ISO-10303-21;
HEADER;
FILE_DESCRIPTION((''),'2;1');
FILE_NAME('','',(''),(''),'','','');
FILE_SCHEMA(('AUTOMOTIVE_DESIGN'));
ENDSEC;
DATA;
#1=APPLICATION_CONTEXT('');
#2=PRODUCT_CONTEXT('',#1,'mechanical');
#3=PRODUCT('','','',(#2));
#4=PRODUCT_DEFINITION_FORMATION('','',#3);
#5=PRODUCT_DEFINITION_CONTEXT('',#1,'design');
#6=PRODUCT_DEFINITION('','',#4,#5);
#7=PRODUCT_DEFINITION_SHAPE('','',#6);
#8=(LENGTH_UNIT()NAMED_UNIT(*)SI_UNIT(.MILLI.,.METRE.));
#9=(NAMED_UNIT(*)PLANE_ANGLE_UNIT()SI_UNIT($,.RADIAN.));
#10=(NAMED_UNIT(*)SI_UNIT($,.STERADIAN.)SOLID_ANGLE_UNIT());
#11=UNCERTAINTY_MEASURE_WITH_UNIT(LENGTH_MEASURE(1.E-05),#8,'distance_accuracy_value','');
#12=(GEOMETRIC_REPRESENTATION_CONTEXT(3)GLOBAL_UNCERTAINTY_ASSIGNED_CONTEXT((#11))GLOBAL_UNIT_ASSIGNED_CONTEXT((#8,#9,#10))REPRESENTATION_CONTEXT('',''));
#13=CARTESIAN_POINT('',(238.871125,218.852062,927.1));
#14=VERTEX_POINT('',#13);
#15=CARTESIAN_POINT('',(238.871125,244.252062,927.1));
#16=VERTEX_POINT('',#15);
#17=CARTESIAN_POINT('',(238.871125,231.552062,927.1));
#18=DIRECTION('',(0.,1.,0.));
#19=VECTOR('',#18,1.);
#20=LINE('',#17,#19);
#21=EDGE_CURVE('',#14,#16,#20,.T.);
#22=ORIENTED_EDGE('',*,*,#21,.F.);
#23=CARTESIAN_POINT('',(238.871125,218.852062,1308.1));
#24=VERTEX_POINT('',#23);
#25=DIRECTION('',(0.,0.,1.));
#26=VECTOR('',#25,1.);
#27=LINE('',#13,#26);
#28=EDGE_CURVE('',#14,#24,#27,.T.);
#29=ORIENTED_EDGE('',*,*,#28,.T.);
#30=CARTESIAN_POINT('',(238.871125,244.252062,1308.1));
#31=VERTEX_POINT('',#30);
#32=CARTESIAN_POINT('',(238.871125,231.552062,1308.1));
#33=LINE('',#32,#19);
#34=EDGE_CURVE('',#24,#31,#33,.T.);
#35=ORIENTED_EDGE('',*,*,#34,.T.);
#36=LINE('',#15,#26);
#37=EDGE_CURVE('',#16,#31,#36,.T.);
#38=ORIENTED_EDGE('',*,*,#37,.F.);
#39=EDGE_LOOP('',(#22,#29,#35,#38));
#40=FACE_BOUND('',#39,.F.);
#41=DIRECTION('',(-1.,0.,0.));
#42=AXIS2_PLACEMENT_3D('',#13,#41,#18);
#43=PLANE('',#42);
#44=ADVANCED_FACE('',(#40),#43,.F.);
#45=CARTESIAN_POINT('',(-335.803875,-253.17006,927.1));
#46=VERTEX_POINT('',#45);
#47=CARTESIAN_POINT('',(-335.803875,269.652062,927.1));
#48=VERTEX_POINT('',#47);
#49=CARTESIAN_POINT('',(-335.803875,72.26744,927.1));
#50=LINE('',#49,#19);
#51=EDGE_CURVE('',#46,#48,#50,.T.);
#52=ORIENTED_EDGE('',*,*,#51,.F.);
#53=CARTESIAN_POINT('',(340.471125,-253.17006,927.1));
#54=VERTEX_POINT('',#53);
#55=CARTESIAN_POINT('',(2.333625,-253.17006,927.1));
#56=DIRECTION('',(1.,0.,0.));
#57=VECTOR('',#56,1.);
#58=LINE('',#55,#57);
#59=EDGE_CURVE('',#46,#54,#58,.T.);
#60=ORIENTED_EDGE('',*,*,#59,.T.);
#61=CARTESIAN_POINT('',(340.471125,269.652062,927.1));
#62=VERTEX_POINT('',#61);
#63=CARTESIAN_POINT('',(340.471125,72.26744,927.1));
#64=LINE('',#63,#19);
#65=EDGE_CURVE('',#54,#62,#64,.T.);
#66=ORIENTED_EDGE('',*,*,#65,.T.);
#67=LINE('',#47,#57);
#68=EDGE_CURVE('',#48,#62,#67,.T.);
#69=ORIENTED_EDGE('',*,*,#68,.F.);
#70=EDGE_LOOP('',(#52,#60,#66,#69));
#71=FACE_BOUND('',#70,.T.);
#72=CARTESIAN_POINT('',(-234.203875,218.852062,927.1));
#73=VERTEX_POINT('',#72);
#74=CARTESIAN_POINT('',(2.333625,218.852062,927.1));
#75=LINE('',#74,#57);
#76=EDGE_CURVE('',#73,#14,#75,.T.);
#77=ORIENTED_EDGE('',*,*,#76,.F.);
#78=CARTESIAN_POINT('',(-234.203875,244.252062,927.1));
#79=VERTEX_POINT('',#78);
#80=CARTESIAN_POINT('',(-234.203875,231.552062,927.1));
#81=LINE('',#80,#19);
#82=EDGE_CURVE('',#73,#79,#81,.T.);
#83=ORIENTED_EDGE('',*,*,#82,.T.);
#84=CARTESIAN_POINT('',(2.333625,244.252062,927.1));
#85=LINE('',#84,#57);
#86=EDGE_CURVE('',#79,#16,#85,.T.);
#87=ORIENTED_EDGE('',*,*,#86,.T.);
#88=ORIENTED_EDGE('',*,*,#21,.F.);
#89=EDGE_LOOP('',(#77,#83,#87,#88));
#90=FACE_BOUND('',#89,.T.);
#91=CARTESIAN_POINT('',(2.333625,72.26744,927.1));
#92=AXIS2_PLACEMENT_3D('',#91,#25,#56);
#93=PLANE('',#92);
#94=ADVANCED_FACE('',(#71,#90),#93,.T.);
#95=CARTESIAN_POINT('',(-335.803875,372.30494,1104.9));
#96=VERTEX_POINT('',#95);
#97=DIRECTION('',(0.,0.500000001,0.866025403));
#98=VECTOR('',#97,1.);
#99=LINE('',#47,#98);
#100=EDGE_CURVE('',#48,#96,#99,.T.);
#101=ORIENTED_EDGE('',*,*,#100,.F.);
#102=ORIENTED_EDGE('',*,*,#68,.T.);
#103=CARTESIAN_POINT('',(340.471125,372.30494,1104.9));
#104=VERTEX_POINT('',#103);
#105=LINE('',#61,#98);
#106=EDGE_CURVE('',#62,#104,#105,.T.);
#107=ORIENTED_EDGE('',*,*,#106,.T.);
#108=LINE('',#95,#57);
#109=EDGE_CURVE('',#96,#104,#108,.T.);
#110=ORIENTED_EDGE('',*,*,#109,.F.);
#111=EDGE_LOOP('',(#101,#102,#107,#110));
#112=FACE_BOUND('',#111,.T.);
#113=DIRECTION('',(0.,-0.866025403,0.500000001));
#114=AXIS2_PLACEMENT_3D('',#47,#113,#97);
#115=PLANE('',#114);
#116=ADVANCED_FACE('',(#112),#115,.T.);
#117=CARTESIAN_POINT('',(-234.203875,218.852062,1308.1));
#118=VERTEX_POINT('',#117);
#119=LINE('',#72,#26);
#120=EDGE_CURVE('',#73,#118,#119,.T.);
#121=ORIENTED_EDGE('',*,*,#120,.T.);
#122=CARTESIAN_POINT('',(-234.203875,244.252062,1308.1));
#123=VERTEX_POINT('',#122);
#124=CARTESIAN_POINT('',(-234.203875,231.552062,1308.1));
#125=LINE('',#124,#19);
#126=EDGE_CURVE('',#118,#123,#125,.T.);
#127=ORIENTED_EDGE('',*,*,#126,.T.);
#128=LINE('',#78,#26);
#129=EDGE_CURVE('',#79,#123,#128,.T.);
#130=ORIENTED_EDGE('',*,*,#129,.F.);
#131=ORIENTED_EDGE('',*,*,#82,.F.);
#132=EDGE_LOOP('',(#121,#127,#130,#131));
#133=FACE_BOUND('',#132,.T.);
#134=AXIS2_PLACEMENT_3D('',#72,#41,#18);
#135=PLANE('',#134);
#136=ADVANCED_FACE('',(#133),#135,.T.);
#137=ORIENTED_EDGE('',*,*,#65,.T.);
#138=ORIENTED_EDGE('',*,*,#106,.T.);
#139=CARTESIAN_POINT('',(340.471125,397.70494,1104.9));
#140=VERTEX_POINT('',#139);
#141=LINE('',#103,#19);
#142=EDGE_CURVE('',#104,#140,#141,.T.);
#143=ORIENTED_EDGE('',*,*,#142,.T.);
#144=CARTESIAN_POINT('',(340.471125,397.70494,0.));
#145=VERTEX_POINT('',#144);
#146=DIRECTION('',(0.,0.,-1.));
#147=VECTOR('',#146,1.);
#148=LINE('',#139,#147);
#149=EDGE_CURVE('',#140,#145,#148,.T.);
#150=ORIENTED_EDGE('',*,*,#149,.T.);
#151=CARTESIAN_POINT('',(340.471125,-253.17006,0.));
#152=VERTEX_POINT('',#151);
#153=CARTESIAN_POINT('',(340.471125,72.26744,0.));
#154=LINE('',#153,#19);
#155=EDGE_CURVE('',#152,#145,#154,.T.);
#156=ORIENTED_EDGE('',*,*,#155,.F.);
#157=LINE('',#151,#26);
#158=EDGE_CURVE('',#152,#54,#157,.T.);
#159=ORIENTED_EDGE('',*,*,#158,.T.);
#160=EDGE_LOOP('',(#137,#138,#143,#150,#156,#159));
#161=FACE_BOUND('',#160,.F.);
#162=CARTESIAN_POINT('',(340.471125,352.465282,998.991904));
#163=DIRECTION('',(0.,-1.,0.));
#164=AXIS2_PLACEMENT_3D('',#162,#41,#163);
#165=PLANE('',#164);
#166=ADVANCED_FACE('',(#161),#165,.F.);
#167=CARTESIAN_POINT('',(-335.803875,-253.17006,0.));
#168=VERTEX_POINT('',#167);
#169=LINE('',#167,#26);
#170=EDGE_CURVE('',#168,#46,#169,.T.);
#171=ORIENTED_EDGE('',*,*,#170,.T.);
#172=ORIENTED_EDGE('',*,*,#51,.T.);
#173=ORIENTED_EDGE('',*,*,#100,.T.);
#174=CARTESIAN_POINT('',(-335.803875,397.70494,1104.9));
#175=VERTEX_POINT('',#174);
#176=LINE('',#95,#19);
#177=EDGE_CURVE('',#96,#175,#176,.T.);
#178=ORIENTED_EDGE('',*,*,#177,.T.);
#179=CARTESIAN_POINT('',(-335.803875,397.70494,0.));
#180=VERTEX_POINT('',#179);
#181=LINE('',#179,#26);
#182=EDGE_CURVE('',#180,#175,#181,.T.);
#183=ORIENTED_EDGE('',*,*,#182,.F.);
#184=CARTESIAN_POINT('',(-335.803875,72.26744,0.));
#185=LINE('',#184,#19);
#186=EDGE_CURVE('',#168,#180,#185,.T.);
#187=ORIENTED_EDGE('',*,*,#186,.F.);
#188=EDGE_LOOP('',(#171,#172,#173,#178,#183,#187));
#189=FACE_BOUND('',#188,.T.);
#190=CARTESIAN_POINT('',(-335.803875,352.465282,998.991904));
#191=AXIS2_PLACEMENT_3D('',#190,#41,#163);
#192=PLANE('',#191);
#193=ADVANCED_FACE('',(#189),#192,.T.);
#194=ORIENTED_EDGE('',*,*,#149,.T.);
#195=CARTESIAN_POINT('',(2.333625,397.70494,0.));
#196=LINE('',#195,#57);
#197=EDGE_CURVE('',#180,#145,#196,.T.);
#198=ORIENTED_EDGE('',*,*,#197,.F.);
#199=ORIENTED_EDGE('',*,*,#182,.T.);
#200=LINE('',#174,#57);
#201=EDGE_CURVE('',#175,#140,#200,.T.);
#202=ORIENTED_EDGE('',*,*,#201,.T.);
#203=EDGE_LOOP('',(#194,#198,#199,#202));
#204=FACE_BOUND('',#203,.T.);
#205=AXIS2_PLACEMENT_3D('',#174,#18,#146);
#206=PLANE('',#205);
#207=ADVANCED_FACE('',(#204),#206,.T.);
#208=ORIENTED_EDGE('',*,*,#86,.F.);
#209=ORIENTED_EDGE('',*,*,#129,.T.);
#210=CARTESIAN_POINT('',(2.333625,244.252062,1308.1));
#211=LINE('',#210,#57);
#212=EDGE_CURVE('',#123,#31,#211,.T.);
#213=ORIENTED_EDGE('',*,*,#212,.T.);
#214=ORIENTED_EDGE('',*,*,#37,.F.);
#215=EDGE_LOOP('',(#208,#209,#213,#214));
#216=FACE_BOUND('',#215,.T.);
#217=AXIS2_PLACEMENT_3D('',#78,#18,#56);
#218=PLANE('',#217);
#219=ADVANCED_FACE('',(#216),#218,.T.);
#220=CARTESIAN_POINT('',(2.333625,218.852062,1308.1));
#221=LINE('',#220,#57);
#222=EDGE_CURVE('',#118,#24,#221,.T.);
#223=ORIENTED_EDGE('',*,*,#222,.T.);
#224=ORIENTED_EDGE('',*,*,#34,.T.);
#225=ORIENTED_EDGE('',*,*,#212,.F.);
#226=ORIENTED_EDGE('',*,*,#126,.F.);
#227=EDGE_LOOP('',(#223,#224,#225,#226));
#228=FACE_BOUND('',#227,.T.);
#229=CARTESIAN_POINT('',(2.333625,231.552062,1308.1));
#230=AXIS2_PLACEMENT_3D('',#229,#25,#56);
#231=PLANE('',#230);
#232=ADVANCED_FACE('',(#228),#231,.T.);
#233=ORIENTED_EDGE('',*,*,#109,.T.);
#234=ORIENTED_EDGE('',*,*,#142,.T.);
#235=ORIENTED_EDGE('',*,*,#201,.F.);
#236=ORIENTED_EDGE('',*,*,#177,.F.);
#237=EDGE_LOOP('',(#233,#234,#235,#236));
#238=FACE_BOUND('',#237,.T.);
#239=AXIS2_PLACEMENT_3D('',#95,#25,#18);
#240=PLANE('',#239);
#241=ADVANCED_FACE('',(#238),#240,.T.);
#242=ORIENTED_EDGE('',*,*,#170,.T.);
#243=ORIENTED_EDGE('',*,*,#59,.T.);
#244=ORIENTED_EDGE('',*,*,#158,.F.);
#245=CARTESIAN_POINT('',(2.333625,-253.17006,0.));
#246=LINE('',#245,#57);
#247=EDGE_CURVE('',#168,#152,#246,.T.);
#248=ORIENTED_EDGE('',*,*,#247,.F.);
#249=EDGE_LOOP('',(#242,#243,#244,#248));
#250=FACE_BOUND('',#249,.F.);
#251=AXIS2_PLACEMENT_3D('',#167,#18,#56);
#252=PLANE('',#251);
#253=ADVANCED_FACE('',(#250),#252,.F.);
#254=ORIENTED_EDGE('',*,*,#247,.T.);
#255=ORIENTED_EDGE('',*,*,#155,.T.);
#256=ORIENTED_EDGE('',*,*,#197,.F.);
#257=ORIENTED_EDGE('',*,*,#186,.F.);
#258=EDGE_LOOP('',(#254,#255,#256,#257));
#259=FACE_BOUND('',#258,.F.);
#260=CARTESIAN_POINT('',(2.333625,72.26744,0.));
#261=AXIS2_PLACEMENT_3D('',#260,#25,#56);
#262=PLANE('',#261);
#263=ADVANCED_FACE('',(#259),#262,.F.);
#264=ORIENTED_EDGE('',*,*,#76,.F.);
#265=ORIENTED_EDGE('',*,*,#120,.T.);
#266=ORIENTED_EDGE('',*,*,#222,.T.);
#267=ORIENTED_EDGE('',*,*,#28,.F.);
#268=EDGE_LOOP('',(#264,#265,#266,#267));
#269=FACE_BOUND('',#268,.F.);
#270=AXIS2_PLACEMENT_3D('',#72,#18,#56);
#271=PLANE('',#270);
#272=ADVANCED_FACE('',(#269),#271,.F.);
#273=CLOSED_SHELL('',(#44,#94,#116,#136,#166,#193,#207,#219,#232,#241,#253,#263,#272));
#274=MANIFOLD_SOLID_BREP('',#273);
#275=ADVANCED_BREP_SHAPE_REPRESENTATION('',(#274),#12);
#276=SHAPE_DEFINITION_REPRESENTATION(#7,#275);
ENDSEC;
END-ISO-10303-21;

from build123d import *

# Parameters (mm, degrees)
F0_W     = 676.275
F0_H     = 650.875
F1_DEPTH = 927.1
F3_DEPTH = 676.275
F4_W     = 473.075
F4_H     = 25.4
F5_DEPTH = 381


with BuildPart() as f1:
    # F0 (on Top) → F1 (new body)
    with BuildSketch(Plane.XY):
        with Locations((2.333625, 72.26744)):
            Rectangle(F0_W, F0_H)
    extrude(amount=F1_DEPTH)

    # F2 (on face) → F3 (join, through all)
    with BuildSketch(Plane(origin=(-335.803875, 0, 0), x_dir=(0, -1, 0), z_dir=(-1, 0, 0))):
        Polygon((-397.70494, 1104.9), (-397.70494, 927.1), (-269.652062, 927.1), (-372.30494, 1104.9), align=None)
    extrude(amount=-F3_DEPTH)

    # F4 (on face) → F5 (join)
    with BuildSketch(Plane.XY.offset(927.1)):
        with Locations((2.333625, 231.552062)):
            Rectangle(F4_W, F4_H)
    extrude(amount=F5_DEPTH)


solid = f1.part
